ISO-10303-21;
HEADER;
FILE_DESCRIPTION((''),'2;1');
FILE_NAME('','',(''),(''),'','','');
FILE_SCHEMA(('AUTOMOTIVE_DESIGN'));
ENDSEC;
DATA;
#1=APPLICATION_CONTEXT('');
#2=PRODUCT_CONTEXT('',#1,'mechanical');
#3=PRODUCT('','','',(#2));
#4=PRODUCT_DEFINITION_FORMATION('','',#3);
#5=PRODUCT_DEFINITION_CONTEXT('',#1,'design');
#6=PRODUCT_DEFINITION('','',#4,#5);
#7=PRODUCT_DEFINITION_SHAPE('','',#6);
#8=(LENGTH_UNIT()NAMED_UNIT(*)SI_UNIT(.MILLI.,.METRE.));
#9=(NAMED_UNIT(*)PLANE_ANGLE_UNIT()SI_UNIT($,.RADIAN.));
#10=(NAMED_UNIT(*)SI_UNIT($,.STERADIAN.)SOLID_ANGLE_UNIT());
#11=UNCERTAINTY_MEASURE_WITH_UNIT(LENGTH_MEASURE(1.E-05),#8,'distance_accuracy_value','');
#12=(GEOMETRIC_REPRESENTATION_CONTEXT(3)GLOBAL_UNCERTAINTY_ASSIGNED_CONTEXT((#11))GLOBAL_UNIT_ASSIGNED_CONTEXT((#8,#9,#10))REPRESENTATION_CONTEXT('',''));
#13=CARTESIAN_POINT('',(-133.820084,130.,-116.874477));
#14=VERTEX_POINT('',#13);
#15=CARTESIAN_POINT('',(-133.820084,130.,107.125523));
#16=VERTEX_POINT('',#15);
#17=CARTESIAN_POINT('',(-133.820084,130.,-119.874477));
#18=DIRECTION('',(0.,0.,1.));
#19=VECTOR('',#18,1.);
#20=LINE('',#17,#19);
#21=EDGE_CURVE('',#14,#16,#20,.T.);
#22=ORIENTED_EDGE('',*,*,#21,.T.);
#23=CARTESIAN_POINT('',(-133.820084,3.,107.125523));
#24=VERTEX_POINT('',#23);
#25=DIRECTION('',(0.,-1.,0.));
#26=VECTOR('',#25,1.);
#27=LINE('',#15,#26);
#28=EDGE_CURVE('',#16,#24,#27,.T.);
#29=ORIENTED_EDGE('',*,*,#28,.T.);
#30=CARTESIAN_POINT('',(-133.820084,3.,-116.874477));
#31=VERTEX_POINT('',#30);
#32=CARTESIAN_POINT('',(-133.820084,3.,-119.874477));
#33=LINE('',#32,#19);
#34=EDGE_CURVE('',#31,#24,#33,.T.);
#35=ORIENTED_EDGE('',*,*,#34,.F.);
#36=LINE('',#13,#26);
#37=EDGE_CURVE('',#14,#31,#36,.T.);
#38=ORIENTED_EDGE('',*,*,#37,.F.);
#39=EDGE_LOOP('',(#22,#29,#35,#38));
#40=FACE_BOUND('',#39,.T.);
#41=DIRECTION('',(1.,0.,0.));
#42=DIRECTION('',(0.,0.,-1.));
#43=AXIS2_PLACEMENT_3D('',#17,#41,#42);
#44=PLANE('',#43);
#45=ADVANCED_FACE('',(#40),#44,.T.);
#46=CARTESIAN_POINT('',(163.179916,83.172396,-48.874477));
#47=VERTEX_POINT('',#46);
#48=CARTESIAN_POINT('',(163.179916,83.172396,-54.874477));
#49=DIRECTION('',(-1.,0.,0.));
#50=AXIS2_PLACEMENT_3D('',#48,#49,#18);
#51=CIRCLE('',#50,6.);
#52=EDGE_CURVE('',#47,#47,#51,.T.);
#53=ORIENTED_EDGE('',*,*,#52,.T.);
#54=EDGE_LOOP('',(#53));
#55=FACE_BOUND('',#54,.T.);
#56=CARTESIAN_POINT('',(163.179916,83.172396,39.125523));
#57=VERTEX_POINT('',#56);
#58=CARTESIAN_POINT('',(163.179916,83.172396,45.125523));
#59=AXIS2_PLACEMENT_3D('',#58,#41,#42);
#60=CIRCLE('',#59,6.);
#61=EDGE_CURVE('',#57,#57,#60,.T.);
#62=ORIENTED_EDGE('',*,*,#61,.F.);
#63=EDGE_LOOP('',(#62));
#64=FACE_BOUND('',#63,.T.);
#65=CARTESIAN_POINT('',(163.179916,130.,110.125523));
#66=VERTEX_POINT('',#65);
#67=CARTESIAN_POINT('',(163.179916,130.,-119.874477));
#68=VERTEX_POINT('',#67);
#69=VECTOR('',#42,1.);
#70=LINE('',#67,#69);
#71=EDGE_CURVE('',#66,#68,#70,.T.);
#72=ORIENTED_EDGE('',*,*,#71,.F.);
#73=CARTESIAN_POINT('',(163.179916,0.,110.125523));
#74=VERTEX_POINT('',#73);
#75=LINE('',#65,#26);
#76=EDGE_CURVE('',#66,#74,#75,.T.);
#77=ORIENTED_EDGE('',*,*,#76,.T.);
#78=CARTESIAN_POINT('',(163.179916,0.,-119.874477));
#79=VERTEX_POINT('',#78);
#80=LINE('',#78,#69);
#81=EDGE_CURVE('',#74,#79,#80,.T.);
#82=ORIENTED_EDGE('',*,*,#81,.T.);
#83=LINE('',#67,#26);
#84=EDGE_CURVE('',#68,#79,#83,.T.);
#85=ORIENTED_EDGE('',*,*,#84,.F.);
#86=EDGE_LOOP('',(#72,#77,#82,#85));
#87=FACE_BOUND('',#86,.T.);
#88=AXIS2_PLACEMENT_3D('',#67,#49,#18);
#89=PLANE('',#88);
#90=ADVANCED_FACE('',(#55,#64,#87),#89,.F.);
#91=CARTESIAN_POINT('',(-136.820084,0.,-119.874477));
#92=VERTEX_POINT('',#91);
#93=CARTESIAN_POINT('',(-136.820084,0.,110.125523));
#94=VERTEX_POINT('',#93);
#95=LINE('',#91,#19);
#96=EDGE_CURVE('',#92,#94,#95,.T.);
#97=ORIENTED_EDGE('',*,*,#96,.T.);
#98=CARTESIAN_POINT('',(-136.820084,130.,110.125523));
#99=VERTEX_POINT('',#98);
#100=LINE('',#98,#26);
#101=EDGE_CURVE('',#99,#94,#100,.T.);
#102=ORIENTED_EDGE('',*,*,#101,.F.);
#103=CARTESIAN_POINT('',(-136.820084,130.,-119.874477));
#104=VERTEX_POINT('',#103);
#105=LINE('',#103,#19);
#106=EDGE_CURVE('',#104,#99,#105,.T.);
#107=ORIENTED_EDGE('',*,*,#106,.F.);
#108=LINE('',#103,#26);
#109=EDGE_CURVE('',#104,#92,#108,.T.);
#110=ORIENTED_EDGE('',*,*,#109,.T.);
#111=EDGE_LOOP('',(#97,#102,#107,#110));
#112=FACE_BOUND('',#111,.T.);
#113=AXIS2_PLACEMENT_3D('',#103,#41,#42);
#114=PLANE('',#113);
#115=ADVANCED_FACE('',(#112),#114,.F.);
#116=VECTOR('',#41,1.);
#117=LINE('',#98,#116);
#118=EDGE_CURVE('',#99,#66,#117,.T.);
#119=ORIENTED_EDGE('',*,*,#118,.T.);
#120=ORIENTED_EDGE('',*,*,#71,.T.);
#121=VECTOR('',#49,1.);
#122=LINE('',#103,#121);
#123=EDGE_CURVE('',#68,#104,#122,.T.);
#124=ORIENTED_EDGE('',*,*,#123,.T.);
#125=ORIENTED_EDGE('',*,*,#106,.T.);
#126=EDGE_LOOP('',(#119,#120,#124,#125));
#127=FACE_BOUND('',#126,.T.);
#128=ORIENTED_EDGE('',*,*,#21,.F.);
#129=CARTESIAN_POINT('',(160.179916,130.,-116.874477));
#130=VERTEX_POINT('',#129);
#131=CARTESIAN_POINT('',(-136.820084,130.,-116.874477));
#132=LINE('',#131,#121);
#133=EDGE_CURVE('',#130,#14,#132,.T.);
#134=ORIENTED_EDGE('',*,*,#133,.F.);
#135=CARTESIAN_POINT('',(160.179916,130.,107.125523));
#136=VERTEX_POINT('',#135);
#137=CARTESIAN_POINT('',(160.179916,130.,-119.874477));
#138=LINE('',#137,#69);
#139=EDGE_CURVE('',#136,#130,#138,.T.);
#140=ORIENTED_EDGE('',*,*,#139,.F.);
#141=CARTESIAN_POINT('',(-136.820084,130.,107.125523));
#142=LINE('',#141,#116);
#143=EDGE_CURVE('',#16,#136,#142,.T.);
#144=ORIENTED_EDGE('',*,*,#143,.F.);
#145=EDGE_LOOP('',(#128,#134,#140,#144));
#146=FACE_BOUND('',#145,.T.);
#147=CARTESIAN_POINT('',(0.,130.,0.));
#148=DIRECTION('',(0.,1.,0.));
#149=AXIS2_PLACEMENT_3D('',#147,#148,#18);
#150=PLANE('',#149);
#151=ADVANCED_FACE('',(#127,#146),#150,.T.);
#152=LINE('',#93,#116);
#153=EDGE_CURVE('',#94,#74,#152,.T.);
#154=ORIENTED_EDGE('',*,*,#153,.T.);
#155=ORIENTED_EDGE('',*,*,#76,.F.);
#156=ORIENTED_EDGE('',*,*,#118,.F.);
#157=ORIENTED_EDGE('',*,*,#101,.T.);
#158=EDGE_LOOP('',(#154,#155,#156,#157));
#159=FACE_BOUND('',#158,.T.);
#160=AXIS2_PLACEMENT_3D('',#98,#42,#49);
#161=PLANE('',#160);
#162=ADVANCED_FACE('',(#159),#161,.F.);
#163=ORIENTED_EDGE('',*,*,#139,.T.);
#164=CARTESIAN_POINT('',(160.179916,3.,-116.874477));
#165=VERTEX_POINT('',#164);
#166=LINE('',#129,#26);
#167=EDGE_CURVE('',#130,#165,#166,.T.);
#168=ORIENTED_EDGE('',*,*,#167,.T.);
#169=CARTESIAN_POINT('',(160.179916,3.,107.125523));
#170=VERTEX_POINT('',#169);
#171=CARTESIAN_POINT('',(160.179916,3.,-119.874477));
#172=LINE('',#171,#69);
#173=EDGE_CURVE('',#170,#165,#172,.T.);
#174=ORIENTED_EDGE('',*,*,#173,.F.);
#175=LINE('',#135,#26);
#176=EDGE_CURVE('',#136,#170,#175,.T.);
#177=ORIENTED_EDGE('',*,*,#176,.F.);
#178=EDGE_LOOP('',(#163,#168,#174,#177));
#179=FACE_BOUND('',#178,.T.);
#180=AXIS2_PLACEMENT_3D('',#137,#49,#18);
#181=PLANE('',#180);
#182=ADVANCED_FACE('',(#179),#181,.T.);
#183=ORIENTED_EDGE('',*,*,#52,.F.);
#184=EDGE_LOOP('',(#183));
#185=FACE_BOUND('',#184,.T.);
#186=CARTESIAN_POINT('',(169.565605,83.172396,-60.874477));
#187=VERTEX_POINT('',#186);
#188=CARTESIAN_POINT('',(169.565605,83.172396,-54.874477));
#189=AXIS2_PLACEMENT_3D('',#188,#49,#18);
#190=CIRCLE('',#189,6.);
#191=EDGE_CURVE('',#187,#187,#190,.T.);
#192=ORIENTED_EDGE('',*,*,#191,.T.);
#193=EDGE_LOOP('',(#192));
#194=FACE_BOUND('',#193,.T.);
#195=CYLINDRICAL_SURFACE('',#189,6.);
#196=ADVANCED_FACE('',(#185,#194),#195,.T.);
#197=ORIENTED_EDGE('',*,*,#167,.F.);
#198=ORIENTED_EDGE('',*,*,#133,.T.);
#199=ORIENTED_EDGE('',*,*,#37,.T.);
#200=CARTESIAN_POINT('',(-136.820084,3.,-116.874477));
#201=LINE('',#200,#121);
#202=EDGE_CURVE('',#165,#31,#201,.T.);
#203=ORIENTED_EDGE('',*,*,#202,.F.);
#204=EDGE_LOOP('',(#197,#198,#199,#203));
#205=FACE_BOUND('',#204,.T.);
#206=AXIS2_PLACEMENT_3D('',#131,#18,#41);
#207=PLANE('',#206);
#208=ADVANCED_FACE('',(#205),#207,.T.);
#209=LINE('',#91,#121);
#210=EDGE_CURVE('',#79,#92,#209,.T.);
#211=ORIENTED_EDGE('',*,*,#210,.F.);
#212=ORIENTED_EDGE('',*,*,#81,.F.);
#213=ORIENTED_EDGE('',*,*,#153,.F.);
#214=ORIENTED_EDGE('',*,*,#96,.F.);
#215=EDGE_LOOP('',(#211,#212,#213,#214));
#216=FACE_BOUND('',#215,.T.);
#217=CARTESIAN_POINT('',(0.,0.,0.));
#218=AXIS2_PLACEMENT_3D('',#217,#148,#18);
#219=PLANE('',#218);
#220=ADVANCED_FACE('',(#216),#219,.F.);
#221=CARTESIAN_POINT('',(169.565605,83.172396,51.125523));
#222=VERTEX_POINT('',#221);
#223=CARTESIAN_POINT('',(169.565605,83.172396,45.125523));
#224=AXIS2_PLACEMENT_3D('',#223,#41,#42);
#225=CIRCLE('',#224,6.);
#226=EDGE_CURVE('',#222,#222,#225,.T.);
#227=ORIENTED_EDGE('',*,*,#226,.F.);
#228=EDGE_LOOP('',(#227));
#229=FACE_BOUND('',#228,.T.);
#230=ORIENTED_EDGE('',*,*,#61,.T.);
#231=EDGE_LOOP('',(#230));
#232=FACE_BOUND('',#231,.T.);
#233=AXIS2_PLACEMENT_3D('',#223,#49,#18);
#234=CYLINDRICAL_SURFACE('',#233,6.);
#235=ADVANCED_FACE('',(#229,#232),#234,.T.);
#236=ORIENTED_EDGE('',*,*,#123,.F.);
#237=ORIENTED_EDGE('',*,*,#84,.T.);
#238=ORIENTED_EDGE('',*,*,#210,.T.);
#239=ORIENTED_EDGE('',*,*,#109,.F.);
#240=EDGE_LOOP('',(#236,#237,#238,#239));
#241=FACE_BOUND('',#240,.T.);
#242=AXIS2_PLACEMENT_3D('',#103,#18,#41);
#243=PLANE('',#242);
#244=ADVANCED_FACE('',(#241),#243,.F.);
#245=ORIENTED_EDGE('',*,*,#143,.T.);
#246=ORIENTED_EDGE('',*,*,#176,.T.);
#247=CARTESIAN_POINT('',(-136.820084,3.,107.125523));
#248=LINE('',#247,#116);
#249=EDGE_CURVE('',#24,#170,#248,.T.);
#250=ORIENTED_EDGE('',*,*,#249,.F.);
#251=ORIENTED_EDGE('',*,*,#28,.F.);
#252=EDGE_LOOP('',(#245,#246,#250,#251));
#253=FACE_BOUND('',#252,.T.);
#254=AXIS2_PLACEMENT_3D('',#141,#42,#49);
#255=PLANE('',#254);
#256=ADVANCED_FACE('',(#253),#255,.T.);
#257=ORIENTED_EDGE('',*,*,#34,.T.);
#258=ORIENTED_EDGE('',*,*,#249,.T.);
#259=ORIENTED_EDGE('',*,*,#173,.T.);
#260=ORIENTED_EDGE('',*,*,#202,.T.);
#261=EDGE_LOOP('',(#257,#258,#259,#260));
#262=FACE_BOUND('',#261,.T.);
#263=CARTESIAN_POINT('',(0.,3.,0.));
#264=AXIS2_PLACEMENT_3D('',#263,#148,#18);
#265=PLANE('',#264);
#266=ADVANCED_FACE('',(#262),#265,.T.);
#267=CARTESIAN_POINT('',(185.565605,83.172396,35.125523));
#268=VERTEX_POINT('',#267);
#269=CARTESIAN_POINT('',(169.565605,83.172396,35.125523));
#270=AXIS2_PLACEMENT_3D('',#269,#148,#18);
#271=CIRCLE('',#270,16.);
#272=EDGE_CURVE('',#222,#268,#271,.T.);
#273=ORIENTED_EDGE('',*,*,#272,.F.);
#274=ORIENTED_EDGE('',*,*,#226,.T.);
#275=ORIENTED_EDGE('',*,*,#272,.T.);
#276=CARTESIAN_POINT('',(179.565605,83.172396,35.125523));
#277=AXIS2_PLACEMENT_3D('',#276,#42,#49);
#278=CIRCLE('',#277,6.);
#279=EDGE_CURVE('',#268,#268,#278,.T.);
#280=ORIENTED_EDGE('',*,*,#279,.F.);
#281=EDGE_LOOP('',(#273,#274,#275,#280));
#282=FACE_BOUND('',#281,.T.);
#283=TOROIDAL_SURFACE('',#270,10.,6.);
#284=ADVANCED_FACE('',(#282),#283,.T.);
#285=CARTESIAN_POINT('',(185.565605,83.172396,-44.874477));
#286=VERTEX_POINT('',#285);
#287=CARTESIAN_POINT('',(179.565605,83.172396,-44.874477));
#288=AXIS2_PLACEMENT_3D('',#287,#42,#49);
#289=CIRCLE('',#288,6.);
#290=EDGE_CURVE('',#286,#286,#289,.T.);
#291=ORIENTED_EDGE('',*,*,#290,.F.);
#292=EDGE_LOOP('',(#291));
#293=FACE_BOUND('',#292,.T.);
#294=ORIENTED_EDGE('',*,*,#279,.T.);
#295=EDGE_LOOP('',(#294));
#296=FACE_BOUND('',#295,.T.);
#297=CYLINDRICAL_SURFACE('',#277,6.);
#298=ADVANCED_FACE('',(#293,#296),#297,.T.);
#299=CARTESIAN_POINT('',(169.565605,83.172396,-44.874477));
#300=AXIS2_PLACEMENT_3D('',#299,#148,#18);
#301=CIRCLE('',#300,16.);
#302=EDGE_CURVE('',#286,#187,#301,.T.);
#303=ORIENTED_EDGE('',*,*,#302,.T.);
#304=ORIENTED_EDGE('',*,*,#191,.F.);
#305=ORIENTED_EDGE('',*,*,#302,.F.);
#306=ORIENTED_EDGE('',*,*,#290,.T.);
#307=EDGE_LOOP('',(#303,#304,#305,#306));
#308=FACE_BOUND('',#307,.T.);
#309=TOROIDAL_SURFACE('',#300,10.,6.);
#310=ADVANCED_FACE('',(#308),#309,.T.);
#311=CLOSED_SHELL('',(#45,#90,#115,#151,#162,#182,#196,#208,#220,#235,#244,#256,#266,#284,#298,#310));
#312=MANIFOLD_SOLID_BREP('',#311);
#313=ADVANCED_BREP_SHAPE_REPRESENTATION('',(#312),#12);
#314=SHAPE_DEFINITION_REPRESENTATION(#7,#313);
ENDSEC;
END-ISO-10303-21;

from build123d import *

# Parameters (mm, degrees)
SKETCH1_W           = 300
SKETCH1_H           = 230
BOSS_EXTRUDE1_DEPTH = 130
SHELL1_T            = -3
SKETCH2_R           = 6


with BuildPart() as part:
    # Sketch1 → Boss-Extrude1 (new body)
    with BuildSketch(Plane(origin=(0, 0, 0), x_dir=(1, 0, 0), z_dir=(0, 1, 0))):
        with Locations((13.179916318, 4.874476987)):
            Rectangle(SKETCH1_W, SKETCH1_H)
    extrude(amount=BOSS_EXTRUDE1_DEPTH)

    # Shell1
    shell1_openings = [part.faces().sort_by_distance(p)[0] for p in [
        (13.179916318, 130, -4.874476987),
    ]]
    offset(amount=SHELL1_T, openings=shell1_openings, kind=Kind.INTERSECTION)

    # Sweep2: sweep along a path in Sketch4
    with BuildLine(Plane(origin=(0, 83.172395684, 0), x_dir=(1, 0, 0), z_dir=(0, 1, 0))) as sweep2_path:
        Line((163.179916318, -45.125523013), (169.565605174, -45.125523013))
        ThreePointArc((169.565605174, -45.125523013), (176.636672985, -42.196590824), (179.565605174, -35.125523013))
        Line((179.565605174, -35.125523013), (179.565605174, 44.874476987))
        ThreePointArc((179.565605174, 44.874476987), (176.636672985, 51.945544799), (169.565605174, 54.874476987))
        Line((169.565605174, 54.874476987), (163.179916318, 54.874476987))
    # Sketch2 → Sweep2 (sweep)
    with BuildSketch(Plane(origin=(163.179916318, 0, 0), x_dir=(0, 0, -1), z_dir=(1, 0, 0))):
        with Locations((-45.125523013, 83.172395684)):
            Circle(SKETCH2_R)
    sweep(path=sweep2_path.line)


solid = part.part
